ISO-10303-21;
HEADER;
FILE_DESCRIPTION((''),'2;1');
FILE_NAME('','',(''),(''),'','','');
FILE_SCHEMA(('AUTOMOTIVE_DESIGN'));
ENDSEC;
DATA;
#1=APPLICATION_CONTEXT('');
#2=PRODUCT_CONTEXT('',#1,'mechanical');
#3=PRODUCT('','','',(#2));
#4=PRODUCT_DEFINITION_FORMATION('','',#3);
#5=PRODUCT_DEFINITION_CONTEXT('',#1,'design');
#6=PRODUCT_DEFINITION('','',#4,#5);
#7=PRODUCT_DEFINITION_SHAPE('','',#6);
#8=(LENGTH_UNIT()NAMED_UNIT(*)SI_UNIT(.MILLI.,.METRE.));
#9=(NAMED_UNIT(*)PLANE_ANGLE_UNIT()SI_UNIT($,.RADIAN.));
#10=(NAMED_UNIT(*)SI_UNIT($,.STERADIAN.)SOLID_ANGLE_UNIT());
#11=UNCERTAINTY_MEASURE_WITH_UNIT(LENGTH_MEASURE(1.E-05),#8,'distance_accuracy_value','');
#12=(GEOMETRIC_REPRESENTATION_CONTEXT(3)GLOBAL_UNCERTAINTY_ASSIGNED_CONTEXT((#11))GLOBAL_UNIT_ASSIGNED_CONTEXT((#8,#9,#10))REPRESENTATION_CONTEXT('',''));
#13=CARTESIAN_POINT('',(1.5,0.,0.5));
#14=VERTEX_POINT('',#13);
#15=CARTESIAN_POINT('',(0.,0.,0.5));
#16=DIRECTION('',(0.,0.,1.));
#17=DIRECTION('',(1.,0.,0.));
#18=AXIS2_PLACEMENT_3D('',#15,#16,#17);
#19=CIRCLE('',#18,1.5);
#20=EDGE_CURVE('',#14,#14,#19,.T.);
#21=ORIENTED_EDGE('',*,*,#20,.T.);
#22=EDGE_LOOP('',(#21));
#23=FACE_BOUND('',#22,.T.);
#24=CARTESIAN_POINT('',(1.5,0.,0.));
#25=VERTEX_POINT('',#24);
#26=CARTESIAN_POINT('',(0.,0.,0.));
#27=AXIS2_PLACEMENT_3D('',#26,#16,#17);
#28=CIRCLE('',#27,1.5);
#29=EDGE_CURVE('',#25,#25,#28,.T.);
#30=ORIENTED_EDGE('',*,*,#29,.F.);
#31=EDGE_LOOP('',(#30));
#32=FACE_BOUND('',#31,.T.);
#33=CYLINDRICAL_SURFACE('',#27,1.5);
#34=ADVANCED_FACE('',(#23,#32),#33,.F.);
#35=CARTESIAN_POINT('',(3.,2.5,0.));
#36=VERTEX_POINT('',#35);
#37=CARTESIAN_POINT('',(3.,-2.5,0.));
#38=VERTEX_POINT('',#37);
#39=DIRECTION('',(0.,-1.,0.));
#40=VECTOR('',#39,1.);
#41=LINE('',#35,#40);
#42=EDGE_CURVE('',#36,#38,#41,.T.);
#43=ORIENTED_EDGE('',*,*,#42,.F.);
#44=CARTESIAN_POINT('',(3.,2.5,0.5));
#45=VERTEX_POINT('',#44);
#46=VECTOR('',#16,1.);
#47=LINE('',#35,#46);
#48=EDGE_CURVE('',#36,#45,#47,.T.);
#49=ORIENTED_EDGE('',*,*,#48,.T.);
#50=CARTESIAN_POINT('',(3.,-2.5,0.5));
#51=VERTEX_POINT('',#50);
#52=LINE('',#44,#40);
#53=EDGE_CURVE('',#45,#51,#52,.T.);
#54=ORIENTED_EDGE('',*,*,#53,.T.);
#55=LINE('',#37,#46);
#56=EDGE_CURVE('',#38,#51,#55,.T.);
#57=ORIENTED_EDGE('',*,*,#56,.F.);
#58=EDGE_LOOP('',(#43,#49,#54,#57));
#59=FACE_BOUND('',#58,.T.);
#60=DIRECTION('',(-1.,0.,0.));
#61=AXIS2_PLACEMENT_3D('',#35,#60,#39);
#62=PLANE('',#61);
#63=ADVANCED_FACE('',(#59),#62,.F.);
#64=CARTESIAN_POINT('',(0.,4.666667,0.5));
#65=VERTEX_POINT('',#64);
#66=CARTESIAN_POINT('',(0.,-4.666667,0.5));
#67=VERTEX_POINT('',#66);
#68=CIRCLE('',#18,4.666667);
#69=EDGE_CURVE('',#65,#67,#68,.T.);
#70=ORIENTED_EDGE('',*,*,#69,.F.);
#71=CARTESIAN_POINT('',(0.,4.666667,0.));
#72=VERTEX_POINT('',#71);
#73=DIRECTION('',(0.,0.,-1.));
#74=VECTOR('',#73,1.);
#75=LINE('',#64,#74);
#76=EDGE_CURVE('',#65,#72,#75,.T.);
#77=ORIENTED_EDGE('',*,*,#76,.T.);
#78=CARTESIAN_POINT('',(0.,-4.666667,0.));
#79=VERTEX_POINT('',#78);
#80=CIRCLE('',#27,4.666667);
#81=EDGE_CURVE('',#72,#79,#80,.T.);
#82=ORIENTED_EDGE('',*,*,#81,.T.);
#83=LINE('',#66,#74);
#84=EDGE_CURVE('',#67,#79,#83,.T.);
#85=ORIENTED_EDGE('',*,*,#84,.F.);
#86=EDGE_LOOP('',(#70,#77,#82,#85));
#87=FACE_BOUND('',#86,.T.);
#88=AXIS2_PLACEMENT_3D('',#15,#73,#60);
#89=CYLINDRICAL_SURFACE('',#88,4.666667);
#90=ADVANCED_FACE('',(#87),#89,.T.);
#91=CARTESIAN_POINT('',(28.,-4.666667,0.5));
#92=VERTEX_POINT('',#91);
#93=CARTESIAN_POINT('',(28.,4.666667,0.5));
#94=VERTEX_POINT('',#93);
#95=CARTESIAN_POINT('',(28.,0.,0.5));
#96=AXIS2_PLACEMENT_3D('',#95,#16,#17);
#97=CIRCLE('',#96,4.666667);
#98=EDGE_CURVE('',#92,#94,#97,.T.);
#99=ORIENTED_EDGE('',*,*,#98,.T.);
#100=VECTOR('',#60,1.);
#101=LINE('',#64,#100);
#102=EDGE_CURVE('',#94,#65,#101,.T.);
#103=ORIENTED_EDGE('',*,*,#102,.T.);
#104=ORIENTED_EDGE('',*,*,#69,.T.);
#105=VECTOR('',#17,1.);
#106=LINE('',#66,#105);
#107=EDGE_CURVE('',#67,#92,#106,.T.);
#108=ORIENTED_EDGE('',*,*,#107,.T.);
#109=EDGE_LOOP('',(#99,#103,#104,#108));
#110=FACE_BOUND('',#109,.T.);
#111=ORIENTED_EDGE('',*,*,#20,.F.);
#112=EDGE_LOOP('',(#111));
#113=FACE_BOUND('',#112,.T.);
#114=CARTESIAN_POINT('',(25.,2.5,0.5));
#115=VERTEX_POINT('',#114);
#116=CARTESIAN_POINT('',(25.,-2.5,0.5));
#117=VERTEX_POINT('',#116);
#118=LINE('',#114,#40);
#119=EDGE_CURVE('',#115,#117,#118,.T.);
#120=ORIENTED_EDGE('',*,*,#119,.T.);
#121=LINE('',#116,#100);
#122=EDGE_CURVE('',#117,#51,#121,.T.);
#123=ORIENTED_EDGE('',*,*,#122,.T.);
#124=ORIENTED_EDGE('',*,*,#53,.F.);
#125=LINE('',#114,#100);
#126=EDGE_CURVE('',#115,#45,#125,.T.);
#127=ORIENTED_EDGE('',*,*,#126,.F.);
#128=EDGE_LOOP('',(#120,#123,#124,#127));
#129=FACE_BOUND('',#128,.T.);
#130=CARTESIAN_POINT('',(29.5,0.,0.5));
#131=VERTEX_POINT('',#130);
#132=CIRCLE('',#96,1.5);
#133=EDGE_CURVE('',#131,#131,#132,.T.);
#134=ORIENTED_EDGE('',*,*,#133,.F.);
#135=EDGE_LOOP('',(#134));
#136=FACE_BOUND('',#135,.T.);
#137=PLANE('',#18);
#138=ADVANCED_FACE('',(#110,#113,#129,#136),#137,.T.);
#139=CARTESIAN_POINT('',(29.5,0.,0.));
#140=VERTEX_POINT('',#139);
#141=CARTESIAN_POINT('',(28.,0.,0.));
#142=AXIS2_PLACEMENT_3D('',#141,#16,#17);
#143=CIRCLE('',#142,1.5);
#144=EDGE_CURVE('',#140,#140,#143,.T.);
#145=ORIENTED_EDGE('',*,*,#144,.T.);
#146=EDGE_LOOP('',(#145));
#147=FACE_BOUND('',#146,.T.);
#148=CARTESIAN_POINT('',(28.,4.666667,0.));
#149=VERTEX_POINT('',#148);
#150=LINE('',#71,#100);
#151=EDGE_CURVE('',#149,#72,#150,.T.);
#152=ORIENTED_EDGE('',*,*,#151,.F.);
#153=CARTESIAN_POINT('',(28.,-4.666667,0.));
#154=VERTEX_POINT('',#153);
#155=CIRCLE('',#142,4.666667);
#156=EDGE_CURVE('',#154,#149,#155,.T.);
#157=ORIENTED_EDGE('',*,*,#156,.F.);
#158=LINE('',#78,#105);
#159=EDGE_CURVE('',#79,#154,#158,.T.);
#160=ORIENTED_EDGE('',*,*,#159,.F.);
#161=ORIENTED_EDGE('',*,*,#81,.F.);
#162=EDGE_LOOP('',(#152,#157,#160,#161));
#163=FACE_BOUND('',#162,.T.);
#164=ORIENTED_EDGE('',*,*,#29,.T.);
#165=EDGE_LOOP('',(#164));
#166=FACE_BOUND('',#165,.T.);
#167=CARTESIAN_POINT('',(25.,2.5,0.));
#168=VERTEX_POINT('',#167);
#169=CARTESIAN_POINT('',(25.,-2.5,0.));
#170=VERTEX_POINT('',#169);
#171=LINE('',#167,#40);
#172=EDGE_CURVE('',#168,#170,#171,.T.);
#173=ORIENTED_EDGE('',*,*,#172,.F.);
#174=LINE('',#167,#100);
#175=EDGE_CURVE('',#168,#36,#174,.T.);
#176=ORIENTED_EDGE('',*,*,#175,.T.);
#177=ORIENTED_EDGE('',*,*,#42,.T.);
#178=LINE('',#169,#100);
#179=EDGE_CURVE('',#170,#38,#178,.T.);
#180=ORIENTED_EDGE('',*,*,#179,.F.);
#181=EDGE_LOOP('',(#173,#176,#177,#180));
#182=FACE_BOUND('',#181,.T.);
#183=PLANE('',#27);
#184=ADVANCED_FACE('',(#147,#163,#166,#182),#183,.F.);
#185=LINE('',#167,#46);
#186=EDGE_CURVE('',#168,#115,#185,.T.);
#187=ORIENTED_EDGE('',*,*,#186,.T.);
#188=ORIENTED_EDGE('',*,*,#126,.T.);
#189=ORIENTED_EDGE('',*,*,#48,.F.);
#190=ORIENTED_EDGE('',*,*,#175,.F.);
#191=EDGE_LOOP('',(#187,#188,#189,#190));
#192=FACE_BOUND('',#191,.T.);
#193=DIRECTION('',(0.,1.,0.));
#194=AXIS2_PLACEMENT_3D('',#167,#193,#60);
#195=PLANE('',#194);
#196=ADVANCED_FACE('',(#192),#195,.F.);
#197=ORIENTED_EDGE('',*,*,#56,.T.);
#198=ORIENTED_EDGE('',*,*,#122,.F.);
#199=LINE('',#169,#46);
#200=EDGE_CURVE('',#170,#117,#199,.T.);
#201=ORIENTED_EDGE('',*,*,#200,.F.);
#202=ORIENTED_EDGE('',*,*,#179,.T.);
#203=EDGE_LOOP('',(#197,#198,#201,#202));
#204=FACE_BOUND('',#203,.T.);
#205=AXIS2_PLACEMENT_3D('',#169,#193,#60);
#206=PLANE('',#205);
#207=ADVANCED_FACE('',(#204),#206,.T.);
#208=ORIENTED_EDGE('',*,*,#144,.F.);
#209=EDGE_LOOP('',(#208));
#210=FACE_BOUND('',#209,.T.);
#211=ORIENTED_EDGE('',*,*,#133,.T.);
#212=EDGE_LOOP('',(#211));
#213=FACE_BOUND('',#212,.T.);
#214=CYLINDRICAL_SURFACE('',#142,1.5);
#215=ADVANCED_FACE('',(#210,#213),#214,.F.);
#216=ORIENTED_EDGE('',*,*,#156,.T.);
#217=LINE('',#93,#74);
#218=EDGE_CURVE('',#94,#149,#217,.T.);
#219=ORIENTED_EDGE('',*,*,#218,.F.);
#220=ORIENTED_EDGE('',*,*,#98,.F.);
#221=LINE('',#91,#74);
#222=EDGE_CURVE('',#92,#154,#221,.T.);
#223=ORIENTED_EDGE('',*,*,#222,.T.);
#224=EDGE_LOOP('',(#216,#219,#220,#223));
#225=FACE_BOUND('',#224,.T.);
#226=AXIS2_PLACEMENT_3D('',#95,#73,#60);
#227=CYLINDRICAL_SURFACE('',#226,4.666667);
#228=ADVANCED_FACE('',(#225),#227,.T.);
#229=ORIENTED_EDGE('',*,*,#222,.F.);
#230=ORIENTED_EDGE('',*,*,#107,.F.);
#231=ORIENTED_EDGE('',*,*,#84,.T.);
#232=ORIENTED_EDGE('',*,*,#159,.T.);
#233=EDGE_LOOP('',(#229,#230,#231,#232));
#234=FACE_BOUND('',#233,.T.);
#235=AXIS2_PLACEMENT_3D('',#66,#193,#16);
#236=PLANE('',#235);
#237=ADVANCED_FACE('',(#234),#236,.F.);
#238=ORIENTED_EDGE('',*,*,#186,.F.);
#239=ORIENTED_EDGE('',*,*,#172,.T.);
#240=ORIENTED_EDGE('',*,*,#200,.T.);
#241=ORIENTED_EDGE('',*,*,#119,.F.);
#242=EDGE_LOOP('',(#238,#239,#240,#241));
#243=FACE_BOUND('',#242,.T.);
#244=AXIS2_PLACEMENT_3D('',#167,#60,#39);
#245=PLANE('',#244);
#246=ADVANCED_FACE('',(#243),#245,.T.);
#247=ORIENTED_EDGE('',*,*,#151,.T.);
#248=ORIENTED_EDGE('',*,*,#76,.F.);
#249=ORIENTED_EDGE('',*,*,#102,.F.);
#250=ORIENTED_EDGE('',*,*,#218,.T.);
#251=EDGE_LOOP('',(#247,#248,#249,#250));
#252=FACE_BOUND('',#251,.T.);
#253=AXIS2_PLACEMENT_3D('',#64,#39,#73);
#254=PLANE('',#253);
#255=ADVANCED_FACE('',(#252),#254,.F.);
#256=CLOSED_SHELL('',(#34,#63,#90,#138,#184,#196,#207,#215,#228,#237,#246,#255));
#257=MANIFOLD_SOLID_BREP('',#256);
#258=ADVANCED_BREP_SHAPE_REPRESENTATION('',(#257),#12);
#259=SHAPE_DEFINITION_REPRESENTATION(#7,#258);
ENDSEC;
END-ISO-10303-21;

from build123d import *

# Parameters (mm, degrees)
BOSS_EXTRUDE1_DEPTH = 0.5
SKETCH2_R           = 1.5
CUT_EXTRUDE1_DEPTH  = 0.5
SKETCH3_R           = 1.5
CUT_EXTRUDE2_DEPTH  = 0.5
SKETCH4_W           = 22
SKETCH4_H           = 5
CUT_EXTRUDE3_DEPTH  = 0.5


with BuildPart() as part:
    # Sketch1 → Boss-Extrude1 (new body)
    with BuildSketch(Plane.XY):
        with BuildLine():
            Line((0, 4.666666667), (28, 4.666666667))
            ThreePointArc((28, 4.666666667), (32.666666667, 0), (28, -4.666666667))
            Line((28, -4.666666667), (0, -4.666666667))
            ThreePointArc((0, -4.666666667), (-4.666666667, 0), (0, 4.666666667))
        make_face()
    extrude(amount=BOSS_EXTRUDE1_DEPTH)

    # Sketch2 → Cut-Extrude1 (cut)
    with BuildSketch(Plane.XY.offset(0.5)):
        Circle(SKETCH2_R)
    extrude(amount=-CUT_EXTRUDE1_DEPTH, mode=Mode.SUBTRACT)

    # Sketch3 → Cut-Extrude2 (cut)
    with BuildSketch(Plane.XY.offset(0.5)):
        with Locations((28, 0)):
            Circle(SKETCH3_R)
    extrude(amount=-CUT_EXTRUDE2_DEPTH, mode=Mode.SUBTRACT)

    # Sketch4 → Cut-Extrude3 (cut)
    with BuildSketch(Plane.XY.offset(0.5)):
        with Locations((14, 0)):
            Rectangle(SKETCH4_W, SKETCH4_H)
    extrude(amount=-CUT_EXTRUDE3_DEPTH, mode=Mode.SUBTRACT)


solid = part.part
